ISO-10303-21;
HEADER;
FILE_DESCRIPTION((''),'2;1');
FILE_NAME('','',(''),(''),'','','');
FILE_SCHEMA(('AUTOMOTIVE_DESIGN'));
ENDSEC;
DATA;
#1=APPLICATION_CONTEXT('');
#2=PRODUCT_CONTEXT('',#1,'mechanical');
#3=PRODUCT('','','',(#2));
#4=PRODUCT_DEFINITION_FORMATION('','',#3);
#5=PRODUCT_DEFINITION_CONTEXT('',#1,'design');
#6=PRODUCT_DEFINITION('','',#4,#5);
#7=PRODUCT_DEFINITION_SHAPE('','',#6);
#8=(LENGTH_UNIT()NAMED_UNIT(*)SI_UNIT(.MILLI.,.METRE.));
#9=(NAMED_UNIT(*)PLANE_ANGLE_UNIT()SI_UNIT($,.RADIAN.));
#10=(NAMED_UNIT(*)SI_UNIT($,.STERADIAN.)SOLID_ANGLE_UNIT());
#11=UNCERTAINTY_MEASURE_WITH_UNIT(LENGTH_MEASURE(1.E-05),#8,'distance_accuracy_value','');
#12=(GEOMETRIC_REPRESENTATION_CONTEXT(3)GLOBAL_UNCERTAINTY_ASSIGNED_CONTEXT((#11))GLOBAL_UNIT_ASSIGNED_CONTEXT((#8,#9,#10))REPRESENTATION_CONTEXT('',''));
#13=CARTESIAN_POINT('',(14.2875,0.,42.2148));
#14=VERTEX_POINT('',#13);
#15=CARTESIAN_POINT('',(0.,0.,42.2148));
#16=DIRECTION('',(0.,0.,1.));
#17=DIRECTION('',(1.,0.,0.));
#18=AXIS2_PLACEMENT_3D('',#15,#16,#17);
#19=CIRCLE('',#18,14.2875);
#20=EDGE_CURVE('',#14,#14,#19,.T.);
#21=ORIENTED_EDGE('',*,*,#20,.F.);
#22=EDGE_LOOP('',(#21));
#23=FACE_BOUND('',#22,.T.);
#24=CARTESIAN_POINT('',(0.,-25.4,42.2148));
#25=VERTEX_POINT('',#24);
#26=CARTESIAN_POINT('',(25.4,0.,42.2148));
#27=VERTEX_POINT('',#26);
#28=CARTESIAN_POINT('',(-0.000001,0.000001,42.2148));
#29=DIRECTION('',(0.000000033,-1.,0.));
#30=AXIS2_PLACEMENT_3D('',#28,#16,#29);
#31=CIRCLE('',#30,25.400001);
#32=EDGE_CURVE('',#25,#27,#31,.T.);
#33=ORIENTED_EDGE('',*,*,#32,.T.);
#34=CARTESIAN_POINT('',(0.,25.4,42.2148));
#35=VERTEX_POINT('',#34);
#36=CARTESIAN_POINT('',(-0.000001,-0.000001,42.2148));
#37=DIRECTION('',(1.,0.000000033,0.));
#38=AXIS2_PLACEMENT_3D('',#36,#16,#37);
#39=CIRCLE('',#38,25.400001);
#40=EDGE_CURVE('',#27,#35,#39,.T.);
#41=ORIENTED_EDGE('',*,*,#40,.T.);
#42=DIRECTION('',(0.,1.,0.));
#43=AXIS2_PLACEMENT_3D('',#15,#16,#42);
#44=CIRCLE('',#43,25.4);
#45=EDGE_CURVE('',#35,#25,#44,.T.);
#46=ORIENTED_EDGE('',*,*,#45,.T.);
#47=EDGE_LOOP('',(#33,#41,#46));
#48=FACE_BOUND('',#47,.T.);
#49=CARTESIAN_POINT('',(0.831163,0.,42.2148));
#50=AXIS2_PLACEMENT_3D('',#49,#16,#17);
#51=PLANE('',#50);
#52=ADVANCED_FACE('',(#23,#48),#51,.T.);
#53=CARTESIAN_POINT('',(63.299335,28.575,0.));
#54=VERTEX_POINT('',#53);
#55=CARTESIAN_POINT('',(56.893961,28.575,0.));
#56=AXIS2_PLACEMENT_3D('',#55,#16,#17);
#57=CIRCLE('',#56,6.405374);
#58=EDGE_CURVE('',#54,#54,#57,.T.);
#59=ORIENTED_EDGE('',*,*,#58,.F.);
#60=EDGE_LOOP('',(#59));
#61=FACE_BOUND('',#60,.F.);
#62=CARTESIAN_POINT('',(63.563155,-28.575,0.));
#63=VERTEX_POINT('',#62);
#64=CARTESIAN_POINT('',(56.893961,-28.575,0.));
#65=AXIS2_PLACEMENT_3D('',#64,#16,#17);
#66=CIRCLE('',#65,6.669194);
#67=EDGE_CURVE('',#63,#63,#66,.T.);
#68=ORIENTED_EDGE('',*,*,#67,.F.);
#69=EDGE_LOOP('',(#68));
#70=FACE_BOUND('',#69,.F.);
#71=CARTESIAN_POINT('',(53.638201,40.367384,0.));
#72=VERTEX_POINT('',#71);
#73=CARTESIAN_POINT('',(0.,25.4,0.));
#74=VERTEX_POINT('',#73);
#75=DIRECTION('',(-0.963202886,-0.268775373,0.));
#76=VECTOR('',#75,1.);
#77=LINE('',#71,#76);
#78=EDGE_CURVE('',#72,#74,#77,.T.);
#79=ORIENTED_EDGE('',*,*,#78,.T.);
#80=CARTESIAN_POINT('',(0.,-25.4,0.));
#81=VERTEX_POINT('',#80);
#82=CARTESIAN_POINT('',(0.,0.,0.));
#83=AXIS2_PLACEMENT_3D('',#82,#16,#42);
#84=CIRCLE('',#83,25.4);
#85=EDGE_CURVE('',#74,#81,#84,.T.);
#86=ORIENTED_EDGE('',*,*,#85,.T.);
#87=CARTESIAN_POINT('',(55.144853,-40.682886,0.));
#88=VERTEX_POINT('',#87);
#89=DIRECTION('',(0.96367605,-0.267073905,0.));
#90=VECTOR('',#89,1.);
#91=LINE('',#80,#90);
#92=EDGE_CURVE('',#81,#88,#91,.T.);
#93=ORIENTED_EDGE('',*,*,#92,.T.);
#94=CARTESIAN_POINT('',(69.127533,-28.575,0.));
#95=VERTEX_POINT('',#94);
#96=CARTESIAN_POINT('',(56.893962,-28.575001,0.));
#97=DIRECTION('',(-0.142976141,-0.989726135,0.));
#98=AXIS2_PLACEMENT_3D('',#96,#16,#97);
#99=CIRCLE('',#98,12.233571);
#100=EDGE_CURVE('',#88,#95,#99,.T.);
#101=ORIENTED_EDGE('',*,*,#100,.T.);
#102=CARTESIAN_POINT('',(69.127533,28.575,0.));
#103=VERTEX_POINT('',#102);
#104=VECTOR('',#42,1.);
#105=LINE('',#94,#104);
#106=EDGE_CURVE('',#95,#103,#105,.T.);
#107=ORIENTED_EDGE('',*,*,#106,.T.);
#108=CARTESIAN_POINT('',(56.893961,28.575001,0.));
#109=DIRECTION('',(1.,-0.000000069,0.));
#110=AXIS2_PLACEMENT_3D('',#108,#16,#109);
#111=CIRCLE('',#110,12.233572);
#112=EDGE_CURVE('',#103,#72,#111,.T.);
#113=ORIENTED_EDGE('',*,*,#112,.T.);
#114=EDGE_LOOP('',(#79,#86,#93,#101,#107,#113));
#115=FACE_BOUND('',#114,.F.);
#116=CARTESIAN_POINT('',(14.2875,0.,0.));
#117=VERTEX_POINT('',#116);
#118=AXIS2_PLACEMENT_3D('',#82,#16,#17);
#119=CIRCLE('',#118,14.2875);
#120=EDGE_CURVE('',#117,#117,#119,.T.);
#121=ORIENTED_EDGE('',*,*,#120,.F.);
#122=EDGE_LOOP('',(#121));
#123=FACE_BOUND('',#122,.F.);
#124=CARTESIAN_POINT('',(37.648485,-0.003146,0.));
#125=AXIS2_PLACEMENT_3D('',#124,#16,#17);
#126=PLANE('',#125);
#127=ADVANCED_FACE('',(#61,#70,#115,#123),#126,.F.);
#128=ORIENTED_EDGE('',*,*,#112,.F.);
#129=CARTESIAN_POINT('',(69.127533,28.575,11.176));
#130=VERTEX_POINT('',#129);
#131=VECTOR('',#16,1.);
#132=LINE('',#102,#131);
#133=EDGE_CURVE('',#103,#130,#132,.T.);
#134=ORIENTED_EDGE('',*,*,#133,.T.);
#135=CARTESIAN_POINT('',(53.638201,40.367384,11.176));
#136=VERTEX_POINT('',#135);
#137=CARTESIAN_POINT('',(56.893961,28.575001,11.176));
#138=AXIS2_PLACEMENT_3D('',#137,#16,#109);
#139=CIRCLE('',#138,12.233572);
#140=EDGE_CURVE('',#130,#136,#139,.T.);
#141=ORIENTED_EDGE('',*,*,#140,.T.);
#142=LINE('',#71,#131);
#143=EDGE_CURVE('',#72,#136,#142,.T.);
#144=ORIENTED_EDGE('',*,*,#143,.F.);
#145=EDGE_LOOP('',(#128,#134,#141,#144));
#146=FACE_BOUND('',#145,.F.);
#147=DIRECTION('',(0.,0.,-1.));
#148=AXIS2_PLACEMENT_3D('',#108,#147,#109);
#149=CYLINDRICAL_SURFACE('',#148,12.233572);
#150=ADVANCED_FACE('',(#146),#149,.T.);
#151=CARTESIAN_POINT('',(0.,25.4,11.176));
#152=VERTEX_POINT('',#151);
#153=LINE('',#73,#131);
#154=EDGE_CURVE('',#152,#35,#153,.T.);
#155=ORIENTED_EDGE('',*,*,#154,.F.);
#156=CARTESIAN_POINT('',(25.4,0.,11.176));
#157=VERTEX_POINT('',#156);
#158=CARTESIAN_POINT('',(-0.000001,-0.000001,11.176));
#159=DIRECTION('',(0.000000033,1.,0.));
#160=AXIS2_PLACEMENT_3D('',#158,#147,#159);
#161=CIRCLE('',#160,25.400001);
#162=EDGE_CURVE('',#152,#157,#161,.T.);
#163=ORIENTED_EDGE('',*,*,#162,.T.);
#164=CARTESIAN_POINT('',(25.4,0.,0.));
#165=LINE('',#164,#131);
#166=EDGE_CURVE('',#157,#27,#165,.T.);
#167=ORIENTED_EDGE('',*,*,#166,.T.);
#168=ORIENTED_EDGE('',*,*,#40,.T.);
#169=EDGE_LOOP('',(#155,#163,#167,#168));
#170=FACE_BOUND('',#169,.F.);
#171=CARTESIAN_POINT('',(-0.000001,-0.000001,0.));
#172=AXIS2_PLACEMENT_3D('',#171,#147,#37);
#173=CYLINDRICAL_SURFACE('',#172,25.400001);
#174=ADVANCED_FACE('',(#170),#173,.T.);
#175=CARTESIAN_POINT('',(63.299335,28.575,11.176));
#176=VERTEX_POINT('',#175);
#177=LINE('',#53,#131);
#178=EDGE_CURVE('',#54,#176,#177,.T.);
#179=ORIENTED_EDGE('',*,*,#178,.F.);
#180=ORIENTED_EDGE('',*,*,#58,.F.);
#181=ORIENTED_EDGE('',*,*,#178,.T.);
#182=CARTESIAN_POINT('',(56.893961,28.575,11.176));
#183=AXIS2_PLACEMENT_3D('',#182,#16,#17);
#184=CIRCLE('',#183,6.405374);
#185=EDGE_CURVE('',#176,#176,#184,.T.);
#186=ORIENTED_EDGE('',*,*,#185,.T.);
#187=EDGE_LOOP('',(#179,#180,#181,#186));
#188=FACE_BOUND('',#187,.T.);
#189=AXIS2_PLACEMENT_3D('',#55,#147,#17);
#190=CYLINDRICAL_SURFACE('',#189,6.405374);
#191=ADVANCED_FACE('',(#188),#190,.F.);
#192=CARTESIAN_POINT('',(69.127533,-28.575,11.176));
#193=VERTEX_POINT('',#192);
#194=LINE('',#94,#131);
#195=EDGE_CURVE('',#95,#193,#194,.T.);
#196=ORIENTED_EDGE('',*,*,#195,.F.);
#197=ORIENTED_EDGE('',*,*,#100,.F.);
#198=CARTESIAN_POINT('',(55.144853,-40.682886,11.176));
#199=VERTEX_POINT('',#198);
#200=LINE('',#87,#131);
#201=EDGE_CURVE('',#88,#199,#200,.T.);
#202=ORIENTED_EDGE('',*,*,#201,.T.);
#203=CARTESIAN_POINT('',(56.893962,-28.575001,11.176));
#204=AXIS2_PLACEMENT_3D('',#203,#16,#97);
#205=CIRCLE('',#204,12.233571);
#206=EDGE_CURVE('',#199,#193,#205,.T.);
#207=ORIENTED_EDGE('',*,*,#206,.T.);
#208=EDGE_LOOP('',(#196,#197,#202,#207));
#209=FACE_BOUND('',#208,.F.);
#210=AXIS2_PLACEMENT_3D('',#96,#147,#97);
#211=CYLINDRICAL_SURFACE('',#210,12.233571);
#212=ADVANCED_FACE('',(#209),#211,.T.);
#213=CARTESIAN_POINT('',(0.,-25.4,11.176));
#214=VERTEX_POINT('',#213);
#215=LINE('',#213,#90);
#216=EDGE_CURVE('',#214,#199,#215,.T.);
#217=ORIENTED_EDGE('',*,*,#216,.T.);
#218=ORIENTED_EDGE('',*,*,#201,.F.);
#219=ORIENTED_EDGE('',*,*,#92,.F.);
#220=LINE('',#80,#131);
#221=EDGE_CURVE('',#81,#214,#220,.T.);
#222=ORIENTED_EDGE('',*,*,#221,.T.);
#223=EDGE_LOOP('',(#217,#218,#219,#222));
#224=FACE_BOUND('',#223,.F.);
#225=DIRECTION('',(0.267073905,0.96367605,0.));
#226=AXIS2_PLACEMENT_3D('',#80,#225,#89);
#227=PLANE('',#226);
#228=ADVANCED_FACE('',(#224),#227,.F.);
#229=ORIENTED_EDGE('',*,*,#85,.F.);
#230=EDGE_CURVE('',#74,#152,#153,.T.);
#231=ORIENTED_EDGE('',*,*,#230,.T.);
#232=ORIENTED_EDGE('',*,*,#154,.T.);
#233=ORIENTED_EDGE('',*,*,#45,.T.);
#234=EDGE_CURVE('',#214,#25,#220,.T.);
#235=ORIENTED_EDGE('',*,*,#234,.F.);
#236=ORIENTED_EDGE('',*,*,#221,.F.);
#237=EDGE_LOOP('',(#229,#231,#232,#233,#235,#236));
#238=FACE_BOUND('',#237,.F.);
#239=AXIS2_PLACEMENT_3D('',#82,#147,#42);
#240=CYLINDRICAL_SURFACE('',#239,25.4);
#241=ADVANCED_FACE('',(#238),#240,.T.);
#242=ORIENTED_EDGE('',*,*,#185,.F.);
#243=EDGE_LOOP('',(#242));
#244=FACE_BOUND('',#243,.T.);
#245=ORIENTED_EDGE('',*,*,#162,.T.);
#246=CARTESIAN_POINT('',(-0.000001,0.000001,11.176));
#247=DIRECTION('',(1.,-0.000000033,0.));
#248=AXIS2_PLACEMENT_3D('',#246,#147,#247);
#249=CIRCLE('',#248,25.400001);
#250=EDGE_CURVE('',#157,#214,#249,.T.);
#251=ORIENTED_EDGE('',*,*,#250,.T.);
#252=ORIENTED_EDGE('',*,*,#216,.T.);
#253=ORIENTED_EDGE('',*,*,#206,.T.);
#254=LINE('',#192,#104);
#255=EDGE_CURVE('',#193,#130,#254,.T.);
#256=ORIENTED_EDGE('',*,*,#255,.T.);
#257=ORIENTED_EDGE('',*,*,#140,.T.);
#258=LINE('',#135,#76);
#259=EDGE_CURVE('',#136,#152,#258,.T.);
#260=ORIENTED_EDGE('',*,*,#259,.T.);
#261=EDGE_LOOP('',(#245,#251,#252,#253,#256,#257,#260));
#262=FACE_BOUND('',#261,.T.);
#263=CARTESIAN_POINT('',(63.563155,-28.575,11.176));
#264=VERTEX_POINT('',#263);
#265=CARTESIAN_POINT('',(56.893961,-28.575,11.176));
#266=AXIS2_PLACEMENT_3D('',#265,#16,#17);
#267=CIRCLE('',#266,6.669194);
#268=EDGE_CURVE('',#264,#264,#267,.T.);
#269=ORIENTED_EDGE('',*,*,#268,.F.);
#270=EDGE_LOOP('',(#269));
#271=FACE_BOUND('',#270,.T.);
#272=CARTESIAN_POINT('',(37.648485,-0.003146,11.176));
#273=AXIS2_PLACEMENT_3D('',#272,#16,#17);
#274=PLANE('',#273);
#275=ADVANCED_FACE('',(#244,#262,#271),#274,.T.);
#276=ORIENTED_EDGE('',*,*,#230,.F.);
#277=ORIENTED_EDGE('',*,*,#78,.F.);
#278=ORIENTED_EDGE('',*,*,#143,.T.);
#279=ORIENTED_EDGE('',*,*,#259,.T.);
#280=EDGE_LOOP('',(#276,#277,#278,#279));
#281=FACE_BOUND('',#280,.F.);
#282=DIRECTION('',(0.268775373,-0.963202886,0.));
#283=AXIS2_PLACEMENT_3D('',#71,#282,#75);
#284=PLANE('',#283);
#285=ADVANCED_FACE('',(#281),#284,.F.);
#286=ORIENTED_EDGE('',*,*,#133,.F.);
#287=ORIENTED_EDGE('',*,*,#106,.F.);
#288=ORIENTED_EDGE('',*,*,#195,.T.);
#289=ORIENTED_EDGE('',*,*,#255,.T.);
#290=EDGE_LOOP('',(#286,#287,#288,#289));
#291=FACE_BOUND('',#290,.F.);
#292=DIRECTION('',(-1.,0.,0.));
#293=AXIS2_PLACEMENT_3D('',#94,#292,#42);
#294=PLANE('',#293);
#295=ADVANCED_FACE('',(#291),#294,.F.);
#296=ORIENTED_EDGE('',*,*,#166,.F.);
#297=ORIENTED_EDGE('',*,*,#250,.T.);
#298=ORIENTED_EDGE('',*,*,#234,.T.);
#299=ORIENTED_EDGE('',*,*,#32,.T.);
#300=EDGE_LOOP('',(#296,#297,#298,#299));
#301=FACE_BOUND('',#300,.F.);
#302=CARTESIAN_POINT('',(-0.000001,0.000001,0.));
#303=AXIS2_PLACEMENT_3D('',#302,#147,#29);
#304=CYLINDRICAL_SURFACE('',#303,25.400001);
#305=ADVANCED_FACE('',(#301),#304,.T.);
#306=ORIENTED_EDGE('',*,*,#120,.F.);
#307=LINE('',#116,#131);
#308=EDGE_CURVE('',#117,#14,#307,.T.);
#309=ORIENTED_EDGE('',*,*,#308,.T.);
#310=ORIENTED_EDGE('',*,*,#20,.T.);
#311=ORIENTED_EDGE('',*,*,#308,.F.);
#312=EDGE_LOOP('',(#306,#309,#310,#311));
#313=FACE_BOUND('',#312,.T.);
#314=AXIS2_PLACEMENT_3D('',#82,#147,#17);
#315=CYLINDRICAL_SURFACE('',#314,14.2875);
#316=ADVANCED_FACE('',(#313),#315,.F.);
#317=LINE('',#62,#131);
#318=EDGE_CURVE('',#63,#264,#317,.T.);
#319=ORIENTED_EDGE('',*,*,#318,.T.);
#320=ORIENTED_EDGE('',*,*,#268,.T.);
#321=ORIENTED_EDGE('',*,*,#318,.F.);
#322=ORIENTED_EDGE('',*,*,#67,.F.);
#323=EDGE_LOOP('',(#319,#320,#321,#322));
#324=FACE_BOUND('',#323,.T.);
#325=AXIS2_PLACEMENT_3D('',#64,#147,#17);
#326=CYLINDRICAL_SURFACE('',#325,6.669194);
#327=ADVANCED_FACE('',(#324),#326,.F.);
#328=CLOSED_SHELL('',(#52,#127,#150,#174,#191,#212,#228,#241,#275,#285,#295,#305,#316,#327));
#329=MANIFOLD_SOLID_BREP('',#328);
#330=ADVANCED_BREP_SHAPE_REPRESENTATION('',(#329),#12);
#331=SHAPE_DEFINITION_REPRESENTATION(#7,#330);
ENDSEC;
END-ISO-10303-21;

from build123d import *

# Parameters (mm, degrees)
F0_R     = 14.2875
F1_DEPTH = 42.2148
F0_R_2   = 6.669194
F0_R_3   = 6.405374
F2_DEPTH = 11.176


with BuildPart() as f1:
    # F0 (on Top) → F1 (new body)
    with BuildSketch(Plane.XY):
        with BuildLine():
            ThreePointArc((0, -25.4), (17.960512, -17.960512), (25.4, 0))
            ThreePointArc((25.4, 0), (17.960512, 17.960512), (0, 25.4))
            ThreePointArc((0, 25.4), (-25.4, 0), (0, -25.4))
        make_face()
        Circle(F0_R, mode=Mode.SUBTRACT)
    extrude(amount=F1_DEPTH)

    # F0 (on Top) → F2 (join)
    with BuildSketch(Plane.XY):
        with BuildLine():
            ThreePointArc((0, 25.4), (17.960512, 17.960512), (25.4, 0))
            ThreePointArc((25.4, 0), (17.960512, -17.960512), (0, -25.4))
            Line((0, -25.4), (55.144853, -40.682886))
            ThreePointArc((55.144853, -40.682886), (64.902158, -37.823193), (69.127533, -28.575))
            Line((69.127533, -28.575), (69.127533, 28.575))
            ThreePointArc((69.127533, 28.575), (64.304451, 38.308701), (53.638201, 40.367384))
            Line((53.638201, 40.367384), (0, 25.4))
        make_face()
        with Locations((56.893961, -28.575)):
            Circle(F0_R_2, mode=Mode.SUBTRACT)
        with Locations((56.893961, 28.575)):
            Circle(F0_R_3, mode=Mode.SUBTRACT)
    extrude(amount=F2_DEPTH)


solid = f1.part
